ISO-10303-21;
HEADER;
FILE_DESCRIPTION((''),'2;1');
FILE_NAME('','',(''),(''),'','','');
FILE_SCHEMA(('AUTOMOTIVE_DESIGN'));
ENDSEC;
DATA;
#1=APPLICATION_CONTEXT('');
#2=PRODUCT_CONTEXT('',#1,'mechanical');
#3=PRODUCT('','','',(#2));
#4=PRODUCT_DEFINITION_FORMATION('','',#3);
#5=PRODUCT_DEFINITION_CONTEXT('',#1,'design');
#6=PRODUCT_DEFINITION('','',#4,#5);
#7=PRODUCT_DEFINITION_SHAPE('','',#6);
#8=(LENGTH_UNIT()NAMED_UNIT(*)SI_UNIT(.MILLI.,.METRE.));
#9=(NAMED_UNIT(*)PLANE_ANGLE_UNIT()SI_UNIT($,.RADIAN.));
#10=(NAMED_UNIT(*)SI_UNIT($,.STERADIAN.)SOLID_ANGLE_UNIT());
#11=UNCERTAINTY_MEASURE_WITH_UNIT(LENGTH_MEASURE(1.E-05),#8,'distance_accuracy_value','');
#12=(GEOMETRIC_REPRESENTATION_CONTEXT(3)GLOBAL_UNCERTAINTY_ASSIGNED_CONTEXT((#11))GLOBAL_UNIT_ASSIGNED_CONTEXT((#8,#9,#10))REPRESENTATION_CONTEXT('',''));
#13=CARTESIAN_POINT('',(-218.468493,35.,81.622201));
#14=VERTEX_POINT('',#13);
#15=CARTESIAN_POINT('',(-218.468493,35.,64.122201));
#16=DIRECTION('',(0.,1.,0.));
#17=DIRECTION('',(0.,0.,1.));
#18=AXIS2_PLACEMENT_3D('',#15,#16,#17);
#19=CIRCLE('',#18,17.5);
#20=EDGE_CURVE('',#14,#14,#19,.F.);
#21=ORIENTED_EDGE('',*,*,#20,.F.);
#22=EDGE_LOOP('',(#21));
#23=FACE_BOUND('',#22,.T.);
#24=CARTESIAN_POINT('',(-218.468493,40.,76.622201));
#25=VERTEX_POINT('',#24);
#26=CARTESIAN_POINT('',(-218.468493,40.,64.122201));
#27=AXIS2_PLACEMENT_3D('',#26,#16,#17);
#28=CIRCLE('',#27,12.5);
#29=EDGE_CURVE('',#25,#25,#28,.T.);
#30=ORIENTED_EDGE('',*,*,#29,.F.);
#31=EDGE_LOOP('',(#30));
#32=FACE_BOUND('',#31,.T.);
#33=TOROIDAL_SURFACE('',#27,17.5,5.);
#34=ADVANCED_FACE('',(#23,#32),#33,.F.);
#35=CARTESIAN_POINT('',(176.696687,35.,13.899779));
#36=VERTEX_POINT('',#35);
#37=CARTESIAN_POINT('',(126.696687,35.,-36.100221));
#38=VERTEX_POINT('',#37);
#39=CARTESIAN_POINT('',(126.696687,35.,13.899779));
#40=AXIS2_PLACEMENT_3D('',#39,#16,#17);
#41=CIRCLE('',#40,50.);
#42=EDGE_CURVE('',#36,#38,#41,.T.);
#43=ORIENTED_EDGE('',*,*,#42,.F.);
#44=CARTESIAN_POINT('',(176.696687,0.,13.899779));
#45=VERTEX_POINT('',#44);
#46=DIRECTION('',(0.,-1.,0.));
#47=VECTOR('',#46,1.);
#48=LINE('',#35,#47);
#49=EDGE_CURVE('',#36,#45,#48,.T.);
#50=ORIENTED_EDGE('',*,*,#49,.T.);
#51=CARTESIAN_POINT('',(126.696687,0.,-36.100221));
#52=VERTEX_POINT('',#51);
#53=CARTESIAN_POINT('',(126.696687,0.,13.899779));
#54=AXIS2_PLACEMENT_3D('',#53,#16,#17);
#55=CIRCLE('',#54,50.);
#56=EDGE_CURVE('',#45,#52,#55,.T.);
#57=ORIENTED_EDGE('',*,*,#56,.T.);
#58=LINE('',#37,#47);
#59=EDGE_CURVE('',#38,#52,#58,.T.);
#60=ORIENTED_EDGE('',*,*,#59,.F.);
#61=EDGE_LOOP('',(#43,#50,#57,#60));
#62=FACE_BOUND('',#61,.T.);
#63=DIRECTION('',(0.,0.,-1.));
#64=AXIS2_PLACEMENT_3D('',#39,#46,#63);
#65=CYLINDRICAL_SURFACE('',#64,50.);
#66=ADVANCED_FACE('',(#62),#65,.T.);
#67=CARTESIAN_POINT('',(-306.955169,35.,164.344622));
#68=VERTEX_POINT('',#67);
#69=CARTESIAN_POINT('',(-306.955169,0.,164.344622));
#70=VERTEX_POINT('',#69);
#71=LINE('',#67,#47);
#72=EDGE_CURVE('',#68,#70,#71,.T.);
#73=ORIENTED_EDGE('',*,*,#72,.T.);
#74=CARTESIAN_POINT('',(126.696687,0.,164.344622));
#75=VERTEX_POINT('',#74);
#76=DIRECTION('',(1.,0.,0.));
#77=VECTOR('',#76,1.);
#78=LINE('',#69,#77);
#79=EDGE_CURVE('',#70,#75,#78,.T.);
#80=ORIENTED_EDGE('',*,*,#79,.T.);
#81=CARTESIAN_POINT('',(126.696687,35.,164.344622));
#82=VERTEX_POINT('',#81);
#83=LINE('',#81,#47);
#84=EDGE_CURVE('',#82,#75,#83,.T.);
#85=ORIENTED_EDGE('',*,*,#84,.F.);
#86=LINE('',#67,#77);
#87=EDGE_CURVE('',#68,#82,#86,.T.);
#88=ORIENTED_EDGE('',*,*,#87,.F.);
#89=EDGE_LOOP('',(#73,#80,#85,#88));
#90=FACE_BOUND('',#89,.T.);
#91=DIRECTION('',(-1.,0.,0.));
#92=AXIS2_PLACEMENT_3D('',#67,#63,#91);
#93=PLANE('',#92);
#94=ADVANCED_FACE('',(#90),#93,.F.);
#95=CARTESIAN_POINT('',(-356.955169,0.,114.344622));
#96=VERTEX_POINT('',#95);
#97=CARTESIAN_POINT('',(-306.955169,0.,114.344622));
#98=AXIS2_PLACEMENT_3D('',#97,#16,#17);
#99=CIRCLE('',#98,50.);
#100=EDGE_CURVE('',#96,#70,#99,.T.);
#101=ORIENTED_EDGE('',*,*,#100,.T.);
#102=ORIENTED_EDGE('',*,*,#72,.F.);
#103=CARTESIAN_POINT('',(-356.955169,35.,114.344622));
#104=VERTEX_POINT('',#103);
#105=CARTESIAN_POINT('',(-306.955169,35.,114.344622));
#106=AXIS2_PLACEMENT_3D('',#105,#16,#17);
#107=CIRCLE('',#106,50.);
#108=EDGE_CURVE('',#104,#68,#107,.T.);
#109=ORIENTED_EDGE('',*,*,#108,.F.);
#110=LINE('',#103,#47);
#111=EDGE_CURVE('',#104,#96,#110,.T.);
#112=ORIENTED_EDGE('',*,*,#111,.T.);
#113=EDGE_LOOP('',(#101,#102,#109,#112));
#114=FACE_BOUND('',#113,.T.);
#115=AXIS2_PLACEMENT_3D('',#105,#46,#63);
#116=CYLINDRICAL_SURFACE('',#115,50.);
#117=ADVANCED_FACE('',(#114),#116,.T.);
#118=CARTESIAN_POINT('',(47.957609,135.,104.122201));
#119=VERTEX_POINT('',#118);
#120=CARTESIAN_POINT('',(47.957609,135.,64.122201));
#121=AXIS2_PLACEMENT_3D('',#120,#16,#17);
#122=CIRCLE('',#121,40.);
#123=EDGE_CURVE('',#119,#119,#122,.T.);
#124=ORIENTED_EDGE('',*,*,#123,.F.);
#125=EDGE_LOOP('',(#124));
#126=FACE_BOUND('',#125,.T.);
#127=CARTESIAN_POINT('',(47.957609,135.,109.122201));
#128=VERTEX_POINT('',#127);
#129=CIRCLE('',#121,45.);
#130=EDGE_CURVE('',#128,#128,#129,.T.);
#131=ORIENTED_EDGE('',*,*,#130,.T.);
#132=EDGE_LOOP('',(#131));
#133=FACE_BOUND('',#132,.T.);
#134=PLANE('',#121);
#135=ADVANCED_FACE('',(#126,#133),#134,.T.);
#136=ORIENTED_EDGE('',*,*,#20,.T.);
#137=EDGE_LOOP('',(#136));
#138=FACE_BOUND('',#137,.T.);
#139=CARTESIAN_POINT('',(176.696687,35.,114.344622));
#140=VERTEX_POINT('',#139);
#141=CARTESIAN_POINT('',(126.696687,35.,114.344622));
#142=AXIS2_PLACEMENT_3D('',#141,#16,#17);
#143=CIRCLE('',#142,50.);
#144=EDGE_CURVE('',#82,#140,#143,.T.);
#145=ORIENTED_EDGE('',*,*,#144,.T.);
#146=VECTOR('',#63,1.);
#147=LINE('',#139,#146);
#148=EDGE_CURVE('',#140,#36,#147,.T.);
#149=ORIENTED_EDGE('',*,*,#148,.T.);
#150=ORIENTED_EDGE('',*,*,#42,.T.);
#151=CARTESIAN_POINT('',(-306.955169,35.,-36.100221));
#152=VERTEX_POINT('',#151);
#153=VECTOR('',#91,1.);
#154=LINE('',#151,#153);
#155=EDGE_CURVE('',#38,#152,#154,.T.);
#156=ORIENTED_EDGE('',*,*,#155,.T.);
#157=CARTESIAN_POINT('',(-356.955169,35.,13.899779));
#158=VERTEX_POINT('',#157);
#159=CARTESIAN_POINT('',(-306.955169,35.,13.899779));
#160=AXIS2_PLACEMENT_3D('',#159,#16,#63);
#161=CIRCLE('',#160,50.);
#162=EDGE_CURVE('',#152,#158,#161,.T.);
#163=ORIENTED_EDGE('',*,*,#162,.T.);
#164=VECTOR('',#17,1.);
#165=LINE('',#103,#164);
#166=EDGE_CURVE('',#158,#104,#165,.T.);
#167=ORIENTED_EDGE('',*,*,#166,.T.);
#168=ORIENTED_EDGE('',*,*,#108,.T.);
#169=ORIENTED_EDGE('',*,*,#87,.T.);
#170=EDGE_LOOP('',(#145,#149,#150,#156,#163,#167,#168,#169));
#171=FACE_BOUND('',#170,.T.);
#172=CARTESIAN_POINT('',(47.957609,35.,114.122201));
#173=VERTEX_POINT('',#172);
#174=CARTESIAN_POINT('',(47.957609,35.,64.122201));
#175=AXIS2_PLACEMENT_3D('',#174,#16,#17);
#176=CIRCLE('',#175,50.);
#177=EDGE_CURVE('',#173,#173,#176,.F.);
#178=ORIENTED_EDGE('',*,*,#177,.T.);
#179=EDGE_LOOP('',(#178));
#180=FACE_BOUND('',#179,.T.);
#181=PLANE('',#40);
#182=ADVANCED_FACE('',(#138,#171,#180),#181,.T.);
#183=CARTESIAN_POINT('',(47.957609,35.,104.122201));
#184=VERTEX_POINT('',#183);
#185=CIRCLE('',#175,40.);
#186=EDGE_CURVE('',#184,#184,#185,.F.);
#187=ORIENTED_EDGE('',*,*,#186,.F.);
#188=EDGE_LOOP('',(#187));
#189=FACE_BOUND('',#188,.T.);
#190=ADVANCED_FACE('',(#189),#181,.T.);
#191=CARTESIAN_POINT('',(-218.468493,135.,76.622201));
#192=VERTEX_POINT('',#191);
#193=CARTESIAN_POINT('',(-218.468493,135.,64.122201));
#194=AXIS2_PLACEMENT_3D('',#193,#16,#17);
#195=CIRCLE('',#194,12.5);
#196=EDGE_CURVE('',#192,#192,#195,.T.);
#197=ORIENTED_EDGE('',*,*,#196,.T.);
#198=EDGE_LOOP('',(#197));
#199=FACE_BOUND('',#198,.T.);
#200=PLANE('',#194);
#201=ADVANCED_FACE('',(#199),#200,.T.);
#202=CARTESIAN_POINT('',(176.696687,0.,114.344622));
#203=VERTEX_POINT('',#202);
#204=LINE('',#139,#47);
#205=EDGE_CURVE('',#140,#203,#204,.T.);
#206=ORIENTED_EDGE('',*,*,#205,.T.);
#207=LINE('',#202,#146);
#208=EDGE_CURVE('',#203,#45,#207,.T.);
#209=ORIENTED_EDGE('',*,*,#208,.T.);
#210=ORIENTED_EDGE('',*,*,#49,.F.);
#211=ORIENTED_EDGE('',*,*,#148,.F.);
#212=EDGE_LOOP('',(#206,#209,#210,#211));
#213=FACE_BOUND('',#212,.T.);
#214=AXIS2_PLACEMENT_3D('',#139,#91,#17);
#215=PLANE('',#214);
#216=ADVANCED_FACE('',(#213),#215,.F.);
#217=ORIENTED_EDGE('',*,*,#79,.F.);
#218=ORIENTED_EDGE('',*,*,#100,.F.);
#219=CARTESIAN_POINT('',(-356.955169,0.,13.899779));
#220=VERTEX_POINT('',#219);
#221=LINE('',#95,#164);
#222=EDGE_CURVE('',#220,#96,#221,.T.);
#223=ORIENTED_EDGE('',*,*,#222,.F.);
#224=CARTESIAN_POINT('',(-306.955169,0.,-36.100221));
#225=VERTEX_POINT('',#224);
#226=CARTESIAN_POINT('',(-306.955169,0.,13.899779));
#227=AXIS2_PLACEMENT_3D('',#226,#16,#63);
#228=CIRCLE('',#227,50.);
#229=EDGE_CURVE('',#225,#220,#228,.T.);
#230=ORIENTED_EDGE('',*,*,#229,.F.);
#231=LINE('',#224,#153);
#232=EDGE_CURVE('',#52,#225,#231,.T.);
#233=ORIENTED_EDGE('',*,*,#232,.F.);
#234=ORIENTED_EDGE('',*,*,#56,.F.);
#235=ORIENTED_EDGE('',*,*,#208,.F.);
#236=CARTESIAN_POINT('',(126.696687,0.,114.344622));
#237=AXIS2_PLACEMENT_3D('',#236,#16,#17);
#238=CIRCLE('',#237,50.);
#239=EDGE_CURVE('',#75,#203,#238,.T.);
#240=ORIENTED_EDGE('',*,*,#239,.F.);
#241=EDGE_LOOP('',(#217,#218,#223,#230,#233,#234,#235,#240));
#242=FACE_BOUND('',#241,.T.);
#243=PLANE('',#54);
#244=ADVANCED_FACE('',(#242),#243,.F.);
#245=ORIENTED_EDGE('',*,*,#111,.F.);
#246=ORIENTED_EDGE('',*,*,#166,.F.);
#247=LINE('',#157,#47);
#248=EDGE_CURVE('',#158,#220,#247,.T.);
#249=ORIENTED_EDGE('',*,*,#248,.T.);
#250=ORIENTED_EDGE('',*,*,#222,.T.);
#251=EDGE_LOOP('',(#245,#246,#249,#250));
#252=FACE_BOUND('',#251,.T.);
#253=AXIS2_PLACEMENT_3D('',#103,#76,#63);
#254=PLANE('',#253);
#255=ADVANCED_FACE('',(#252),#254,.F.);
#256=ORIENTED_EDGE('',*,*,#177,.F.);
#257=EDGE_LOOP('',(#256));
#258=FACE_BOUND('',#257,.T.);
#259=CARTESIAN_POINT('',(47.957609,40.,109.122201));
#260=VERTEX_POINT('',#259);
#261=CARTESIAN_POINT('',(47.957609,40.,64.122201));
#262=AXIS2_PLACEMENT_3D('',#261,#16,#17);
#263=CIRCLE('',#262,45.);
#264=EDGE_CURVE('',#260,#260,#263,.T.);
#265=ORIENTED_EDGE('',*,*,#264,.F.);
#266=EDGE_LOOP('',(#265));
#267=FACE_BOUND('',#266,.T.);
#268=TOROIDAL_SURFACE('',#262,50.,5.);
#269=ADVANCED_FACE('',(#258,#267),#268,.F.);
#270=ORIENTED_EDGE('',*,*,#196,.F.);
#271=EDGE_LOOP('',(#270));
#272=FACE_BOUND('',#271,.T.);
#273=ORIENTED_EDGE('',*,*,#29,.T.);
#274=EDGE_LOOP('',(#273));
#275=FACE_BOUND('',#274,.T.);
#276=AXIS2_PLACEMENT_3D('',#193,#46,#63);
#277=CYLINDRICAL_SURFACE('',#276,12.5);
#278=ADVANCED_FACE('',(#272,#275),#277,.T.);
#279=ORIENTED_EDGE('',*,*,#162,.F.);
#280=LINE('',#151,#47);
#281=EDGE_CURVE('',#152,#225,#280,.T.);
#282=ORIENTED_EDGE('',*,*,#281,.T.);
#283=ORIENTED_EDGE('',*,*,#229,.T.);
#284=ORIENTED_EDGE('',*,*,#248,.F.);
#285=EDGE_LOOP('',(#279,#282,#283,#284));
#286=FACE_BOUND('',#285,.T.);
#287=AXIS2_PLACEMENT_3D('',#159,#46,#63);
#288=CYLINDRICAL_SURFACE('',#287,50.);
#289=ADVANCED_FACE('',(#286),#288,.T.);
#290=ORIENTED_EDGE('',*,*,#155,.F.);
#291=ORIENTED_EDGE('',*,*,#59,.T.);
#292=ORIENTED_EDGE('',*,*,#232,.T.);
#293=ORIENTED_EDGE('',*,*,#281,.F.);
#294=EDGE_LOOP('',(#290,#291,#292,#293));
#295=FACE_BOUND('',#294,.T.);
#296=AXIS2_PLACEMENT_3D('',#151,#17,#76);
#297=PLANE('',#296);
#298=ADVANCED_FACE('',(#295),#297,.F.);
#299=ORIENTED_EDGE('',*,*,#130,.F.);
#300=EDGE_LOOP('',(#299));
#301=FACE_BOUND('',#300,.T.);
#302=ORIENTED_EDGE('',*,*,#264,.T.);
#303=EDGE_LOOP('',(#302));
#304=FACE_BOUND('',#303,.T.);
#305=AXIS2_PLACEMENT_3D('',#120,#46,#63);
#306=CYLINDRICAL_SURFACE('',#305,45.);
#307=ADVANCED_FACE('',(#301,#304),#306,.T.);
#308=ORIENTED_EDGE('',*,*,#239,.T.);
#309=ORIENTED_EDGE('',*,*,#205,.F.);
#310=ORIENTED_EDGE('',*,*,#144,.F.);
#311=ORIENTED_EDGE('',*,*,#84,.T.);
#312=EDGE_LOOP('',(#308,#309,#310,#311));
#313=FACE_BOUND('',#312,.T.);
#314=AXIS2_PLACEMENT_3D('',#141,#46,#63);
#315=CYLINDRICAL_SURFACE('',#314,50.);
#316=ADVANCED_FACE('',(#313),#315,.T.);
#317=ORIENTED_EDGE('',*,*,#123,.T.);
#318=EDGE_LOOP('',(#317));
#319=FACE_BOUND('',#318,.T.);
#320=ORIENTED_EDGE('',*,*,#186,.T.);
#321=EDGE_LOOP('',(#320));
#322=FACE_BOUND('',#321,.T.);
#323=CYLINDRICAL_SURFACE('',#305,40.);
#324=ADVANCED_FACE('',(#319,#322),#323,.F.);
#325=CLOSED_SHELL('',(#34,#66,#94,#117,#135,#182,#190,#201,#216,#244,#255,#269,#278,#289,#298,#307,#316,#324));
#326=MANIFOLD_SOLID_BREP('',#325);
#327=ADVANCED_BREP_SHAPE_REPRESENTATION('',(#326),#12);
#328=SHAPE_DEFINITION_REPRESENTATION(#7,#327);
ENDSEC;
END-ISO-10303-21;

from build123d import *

# Parameters (mm, degrees)
BOSS_EXTRUDE1_DEPTH = 7
SKETCH2_R           = 2.5
SKETCH2_R_2         = 9
SKETCH2_R_3         = 8
BOSS_EXTRUDE2_DEPTH = 20
FILLET1_R           = 1
SCALE1_SCALE        = 5


with BuildPart() as part:
    # Sketch1 → Boss-Extrude1 (new body)
    with BuildSketch(Plane(origin=(0, 0, 0), x_dir=(1, 0, 0), z_dir=(0, 1, 0))):
        with BuildLine():
            Line((-61.391033774, -32.868924483), (25.33933743, -32.868924483))
            ThreePointArc((25.33933743, -32.868924483), (32.410405242, -29.939992295), (35.33933743, -22.868924483))
            Line((35.33933743, -22.868924483), (35.33933743, -2.779955787))
            ThreePointArc((35.33933743, -2.779955787), (32.410405242, 4.291112025), (25.33933743, 7.220044213))
            Line((25.33933743, 7.220044213), (-61.391033774, 7.220044213))
            ThreePointArc((-61.391033774, 7.220044213), (-68.462101586, 4.291112025), (-71.391033774, -2.779955787))
            Line((-71.391033774, -2.779955787), (-71.391033774, -22.868924483))
            ThreePointArc((-71.391033774, -22.868924483), (-68.462101586, -29.939992295), (-61.391033774, -32.868924483))
        make_face()
    extrude(amount=BOSS_EXTRUDE1_DEPTH)

    # Sketch2 → Boss-Extrude2 (add)
    # profile 1 of 2: a face of its own
    with BuildSketch(Plane(origin=(0, 7, 0), x_dir=(1, 0, 0), z_dir=(0, 1, 0))):
        with Locations(Location((-43.693698634, -12.824440135, 0), (0, 0, 270))):
            Circle(SKETCH2_R)
    # profile 2 of 2: a face of its own
    with BuildSketch(Plane(origin=(0, 7, 0), x_dir=(1, 0, 0), z_dir=(0, 1, 0))):
        with Locations(Location((9.591521865, -12.824440135, 0), (0, 0, 270))):
            Circle(SKETCH2_R_2)
        with Locations(Location((9.591521865, -12.824440135, 0), (0, 0, 270))):
            Circle(SKETCH2_R_3, mode=Mode.SUBTRACT)
    extrude(amount=BOSS_EXTRUDE2_DEPTH)

    # Fillet1
    fillet1_edges = [part.edges().sort_by_distance(p)[0] for p in [
        (-43.693698634, 7, 10.324440135),
        (9.591521865, 7, 3.824440135),
    ]]
    fillet(fillet1_edges, radius=FILLET1_R)


with BuildPart() as part_1:
    # Scale1: scaled about (0, 0, 0)
    add(part.part.scale(SCALE1_SCALE))


solid = part_1.part
